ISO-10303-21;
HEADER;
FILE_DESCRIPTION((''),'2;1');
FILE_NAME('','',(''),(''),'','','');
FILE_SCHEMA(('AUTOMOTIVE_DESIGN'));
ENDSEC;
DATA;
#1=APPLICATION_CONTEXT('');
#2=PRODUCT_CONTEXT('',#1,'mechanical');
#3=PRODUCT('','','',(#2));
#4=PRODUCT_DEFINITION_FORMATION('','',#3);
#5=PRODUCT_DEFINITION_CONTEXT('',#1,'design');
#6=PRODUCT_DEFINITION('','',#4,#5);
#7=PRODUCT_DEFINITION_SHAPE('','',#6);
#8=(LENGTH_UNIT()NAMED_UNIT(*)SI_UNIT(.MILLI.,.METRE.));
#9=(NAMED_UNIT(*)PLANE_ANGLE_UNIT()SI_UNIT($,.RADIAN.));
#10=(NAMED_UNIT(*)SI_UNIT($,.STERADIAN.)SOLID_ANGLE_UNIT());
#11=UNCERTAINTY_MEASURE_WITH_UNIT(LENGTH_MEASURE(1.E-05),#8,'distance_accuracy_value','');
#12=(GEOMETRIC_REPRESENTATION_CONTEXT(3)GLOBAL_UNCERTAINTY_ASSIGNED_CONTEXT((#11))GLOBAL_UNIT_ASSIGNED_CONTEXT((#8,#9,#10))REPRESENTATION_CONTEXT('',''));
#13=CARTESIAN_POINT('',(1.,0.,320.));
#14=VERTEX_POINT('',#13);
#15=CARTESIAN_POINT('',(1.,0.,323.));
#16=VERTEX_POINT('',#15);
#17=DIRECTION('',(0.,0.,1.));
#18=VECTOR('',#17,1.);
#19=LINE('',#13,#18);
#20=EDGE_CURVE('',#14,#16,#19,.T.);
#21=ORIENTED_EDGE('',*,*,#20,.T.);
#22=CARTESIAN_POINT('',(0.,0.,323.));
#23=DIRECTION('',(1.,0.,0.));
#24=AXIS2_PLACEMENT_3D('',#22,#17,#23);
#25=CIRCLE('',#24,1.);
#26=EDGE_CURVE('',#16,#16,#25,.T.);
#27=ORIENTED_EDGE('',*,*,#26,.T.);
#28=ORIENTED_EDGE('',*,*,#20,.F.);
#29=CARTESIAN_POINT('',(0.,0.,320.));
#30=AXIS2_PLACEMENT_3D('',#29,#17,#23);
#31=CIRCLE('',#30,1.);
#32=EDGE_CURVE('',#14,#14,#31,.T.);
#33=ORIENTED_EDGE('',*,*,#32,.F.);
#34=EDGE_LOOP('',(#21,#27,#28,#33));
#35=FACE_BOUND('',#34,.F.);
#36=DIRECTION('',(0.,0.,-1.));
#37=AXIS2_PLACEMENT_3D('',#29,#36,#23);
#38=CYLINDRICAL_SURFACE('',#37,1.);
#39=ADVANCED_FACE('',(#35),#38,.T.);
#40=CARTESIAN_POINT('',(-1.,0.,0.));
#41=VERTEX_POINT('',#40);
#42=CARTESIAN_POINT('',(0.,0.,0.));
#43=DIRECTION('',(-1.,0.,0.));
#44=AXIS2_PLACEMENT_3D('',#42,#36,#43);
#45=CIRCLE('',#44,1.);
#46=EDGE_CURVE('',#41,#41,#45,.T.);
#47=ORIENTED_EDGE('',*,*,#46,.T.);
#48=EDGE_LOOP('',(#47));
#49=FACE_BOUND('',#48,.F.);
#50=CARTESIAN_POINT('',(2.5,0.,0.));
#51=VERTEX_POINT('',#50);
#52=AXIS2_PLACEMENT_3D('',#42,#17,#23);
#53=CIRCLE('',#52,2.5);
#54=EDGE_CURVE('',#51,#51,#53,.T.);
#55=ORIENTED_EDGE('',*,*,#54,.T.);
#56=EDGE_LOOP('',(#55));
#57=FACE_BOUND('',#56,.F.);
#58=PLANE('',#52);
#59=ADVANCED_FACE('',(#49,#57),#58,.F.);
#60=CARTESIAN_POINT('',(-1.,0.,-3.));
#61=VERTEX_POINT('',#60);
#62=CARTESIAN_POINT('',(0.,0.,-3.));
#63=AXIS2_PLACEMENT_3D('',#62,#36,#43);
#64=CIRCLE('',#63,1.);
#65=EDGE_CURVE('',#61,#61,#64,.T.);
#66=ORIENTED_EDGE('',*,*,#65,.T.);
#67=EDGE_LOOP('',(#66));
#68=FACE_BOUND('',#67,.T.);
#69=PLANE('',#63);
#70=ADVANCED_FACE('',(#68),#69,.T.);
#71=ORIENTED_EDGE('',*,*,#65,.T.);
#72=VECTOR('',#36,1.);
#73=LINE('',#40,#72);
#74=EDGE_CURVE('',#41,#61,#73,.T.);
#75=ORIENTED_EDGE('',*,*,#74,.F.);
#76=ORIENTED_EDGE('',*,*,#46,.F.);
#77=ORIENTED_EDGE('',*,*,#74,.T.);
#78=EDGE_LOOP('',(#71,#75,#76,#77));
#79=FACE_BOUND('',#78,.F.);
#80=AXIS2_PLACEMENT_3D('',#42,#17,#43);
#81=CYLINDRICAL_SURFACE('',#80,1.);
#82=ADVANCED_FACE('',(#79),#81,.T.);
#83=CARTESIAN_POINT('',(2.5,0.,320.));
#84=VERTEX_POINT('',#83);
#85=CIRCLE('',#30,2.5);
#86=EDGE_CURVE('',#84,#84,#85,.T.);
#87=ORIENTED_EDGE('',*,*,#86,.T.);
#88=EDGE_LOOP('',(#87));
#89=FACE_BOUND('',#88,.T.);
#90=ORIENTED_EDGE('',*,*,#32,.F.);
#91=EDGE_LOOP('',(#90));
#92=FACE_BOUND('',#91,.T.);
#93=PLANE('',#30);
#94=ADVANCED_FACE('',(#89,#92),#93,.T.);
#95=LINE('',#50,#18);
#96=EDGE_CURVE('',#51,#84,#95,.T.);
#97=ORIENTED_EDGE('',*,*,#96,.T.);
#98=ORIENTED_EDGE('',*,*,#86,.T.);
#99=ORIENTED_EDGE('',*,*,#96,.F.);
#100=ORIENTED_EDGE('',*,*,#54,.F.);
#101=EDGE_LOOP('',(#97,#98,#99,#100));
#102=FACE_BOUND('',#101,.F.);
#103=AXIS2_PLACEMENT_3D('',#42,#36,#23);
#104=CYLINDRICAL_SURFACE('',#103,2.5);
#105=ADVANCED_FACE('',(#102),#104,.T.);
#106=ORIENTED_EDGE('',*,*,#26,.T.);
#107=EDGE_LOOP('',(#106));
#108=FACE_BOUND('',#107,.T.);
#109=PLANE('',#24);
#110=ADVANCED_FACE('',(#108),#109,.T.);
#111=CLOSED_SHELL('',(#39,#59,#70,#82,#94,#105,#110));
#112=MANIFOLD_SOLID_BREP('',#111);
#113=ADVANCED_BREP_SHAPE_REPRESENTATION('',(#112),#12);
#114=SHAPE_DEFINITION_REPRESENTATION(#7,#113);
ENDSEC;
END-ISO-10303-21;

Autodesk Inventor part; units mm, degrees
ref_plane "YZ Plane" through (0, 0, 0) normal (1, 0, 0) x (0, 1, 0)
ref_plane "XZ Plane" through (0, 0, 0) normal (0, 1, 0) x (-1, 0, 0)
ref_plane "XY Plane" through (0, 0, 0) normal (0, 0, 1) x (1, 0, 0)
sketch "Sketch1" plane through (0, 0, 0) normal (0, 0, 1) x (1, 0, 0)
  circle A0 centre (0, 0) radius 2.5
  dimension "d0" = 5
extrude "Extrusion1" add sketch "Sketch1" along normal blind 320
sketch "Sketch2" plane through (0, 0, 320) normal (0, 0, 1) x (1, 0, 0)
  circle A0 centre (0, 0) radius 2.5 projected
  circle A1 centre (0, 0) radius 1
  dimension "d3" = 2
extrude "Extrusion2" add sketch "Sketch2" along normal blind 3 contours A1
sketch "Sketch3" plane through (0, 0, 0) normal (0, 0, -1) x (-1, 0, 0)
  circle A0 centre (0, 0) radius 1
  dimension "d6" = 2
extrude "Extrusion3" add sketch "Sketch3" along normal blind 3
properties part number "Bone-32cm"
